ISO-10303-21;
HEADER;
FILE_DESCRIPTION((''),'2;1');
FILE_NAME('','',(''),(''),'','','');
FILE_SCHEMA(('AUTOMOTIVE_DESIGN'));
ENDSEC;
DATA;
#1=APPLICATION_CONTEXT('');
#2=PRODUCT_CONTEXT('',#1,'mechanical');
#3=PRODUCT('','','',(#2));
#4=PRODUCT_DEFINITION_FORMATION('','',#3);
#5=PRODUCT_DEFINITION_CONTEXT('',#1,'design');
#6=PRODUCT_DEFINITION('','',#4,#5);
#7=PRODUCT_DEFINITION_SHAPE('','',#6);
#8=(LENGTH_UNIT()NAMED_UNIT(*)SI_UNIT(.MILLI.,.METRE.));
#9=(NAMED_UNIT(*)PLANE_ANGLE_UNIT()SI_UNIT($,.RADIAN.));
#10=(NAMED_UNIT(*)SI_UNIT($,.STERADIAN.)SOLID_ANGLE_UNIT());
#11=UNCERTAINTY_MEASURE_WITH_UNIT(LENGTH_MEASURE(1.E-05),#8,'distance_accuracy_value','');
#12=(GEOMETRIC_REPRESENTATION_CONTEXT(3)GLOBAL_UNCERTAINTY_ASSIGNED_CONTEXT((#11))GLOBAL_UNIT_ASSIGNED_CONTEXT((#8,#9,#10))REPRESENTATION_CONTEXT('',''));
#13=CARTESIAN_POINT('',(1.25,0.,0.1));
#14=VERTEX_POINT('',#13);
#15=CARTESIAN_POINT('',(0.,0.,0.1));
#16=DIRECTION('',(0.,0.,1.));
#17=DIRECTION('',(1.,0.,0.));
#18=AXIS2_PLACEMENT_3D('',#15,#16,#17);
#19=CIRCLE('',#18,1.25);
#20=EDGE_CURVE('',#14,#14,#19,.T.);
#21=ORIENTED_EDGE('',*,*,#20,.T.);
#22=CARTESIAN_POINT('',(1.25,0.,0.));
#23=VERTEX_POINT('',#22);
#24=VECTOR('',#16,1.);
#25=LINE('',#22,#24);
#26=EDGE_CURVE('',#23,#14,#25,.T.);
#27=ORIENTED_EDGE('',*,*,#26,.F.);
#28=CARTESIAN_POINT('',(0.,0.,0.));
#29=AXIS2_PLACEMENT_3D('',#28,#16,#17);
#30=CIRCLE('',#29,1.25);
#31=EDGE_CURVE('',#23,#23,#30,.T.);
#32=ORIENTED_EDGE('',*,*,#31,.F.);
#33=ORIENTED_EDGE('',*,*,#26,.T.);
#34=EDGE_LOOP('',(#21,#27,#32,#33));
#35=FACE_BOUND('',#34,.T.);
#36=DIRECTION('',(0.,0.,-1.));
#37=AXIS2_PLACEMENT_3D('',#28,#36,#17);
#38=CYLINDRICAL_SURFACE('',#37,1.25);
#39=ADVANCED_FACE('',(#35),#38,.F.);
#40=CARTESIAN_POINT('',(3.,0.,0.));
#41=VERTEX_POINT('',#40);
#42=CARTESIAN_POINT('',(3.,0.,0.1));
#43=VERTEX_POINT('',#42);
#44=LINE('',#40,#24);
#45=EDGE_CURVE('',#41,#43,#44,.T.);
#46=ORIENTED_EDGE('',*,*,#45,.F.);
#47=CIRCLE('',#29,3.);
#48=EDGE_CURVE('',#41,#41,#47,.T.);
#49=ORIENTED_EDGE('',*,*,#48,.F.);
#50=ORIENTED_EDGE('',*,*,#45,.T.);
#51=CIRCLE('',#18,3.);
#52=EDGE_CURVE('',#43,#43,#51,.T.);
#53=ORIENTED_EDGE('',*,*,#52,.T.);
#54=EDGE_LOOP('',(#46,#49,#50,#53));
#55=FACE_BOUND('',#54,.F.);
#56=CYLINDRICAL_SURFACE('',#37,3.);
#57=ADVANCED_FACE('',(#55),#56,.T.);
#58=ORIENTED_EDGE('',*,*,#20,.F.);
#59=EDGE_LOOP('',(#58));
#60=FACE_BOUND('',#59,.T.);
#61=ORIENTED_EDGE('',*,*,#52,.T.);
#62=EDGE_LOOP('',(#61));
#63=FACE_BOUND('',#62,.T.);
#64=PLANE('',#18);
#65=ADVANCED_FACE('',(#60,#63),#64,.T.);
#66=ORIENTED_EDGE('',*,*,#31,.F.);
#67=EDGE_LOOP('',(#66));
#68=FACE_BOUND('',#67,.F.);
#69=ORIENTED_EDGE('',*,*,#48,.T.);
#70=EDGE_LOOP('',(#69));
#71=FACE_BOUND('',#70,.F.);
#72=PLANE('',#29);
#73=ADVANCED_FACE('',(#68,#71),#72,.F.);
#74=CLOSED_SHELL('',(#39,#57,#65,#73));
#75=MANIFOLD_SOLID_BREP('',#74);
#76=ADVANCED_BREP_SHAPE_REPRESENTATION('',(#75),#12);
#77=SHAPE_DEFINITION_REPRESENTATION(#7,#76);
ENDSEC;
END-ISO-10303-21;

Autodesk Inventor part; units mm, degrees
ref_plane "YZ Plane" through (0, 0, 0) normal (1, 0, 0) x (0, 1, 0)
ref_plane "XZ Plane" through (0, 0, 0) normal (0, 1, 0) x (-1, 0, 0)
ref_plane "XY Plane" through (0, 0, 0) normal (0, 0, 1) x (1, 0, 0)
sketch "Sketch1" plane through (0, 0, 0) normal (0, 0, 1) x (1, 0, 0)
  circle A0 centre (0, 0) radius 1.25
  circle A1 centre (0, 0) radius 3
  dimension "d0" = 2.5
  dimension "d1" = 6
extrude "Extrusion1" add sketch "Sketch1" along normal blind 0.1
properties part number "steel_small_spacer"
